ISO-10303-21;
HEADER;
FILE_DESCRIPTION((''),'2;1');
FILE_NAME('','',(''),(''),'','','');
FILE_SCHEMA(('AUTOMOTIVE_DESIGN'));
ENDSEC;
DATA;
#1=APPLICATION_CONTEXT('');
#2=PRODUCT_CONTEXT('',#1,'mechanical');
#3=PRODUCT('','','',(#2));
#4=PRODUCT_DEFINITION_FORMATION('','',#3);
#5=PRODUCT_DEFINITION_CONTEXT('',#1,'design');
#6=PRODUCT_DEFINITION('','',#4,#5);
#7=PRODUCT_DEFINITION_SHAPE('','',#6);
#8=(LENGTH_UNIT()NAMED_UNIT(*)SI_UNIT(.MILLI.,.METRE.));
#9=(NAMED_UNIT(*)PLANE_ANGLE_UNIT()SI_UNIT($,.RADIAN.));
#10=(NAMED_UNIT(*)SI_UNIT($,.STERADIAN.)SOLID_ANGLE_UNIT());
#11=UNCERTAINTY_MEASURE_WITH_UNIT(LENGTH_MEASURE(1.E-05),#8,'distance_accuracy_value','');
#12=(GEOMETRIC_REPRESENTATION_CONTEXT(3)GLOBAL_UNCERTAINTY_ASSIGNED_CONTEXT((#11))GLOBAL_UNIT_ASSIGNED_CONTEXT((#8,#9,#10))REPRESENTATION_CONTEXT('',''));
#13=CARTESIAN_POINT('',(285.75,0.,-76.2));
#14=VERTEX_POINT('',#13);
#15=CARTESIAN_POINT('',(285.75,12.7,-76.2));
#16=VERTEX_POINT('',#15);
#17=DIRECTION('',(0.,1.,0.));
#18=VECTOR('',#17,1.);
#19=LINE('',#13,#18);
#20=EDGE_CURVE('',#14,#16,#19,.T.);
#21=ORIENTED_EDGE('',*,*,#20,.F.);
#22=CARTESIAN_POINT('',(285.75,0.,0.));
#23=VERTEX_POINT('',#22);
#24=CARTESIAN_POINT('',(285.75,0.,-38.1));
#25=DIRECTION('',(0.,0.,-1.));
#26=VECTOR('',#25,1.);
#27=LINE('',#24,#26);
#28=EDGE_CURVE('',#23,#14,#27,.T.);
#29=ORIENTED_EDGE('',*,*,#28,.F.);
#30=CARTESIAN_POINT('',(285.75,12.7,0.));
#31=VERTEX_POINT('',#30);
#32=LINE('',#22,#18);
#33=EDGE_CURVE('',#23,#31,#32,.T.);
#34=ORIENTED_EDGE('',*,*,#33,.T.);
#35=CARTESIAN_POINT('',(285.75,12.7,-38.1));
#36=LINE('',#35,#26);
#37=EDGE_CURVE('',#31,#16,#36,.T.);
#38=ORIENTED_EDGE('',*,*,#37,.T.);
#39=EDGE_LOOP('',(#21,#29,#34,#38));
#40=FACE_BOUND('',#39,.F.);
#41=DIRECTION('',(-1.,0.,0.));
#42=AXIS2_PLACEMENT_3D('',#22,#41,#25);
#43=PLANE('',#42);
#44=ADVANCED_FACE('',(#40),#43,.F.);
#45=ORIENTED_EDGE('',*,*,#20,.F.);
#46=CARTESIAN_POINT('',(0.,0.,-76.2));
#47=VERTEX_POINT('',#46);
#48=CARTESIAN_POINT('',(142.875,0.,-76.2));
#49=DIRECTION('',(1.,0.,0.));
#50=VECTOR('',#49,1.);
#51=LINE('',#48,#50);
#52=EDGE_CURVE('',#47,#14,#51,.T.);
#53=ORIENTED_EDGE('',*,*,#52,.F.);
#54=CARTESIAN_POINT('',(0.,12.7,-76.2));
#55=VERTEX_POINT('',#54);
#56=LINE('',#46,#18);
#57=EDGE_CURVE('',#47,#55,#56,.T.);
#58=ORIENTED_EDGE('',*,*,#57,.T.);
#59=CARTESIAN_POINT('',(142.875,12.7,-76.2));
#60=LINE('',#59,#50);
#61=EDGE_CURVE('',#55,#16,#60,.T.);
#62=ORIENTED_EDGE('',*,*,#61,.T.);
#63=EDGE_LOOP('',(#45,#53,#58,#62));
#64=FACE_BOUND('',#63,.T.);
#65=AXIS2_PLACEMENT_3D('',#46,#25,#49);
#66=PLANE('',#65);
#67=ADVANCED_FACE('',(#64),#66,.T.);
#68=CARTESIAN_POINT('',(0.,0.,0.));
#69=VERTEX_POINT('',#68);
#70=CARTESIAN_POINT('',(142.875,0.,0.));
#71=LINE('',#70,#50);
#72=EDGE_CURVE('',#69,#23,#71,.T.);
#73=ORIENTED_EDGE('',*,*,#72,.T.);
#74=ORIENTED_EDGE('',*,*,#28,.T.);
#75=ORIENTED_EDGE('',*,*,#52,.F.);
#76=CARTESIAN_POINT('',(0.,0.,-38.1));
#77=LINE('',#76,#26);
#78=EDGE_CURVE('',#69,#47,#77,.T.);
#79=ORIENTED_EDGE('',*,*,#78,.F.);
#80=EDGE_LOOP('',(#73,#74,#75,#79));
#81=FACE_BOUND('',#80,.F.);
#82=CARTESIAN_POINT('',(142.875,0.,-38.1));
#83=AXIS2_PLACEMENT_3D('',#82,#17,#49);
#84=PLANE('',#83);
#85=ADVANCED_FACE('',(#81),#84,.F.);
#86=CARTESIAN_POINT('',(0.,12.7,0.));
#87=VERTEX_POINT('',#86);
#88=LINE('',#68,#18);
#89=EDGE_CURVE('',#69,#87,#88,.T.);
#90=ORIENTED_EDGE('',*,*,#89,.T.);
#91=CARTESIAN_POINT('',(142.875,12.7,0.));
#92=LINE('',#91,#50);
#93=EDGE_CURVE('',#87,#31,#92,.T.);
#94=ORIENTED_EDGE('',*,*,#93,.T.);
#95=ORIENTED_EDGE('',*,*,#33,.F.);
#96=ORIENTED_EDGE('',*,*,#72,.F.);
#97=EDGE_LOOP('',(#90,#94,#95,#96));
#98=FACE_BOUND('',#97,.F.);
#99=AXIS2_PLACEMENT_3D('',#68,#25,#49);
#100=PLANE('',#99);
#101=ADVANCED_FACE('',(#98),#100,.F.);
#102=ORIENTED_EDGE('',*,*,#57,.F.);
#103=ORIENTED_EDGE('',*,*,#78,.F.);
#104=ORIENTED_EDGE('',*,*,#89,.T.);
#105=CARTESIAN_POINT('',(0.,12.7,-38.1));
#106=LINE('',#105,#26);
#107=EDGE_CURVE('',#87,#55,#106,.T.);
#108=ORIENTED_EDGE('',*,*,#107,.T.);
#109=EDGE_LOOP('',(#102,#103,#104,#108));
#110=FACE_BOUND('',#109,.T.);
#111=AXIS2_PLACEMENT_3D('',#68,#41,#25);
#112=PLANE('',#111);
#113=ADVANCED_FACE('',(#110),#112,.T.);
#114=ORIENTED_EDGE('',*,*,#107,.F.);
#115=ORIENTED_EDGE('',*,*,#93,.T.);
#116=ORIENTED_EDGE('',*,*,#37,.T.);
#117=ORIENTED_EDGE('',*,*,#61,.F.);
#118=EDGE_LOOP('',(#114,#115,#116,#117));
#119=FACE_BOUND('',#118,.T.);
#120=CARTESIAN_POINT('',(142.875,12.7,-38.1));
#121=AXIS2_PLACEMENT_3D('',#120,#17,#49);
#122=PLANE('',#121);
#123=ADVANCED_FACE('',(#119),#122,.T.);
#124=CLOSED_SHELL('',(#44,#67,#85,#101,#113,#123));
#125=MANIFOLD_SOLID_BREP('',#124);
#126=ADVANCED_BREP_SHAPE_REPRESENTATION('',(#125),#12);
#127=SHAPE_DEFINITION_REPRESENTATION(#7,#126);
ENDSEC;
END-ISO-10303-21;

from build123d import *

# Parameters (mm, degrees)
SKETCH1_W           = 285.75
SKETCH1_H           = 76.2
BOSS_EXTRUDE1_DEPTH = 12.7


with BuildPart() as part:
    # Sketch1 → Boss-Extrude1 (new body)
    with BuildSketch(Plane(origin=(0, 0, 0), x_dir=(1, 0, 0), z_dir=(0, 1, 0))):
        with Locations((142.875, 38.1)):
            Rectangle(SKETCH1_W, SKETCH1_H)
    extrude(amount=BOSS_EXTRUDE1_DEPTH)


solid = part.part
